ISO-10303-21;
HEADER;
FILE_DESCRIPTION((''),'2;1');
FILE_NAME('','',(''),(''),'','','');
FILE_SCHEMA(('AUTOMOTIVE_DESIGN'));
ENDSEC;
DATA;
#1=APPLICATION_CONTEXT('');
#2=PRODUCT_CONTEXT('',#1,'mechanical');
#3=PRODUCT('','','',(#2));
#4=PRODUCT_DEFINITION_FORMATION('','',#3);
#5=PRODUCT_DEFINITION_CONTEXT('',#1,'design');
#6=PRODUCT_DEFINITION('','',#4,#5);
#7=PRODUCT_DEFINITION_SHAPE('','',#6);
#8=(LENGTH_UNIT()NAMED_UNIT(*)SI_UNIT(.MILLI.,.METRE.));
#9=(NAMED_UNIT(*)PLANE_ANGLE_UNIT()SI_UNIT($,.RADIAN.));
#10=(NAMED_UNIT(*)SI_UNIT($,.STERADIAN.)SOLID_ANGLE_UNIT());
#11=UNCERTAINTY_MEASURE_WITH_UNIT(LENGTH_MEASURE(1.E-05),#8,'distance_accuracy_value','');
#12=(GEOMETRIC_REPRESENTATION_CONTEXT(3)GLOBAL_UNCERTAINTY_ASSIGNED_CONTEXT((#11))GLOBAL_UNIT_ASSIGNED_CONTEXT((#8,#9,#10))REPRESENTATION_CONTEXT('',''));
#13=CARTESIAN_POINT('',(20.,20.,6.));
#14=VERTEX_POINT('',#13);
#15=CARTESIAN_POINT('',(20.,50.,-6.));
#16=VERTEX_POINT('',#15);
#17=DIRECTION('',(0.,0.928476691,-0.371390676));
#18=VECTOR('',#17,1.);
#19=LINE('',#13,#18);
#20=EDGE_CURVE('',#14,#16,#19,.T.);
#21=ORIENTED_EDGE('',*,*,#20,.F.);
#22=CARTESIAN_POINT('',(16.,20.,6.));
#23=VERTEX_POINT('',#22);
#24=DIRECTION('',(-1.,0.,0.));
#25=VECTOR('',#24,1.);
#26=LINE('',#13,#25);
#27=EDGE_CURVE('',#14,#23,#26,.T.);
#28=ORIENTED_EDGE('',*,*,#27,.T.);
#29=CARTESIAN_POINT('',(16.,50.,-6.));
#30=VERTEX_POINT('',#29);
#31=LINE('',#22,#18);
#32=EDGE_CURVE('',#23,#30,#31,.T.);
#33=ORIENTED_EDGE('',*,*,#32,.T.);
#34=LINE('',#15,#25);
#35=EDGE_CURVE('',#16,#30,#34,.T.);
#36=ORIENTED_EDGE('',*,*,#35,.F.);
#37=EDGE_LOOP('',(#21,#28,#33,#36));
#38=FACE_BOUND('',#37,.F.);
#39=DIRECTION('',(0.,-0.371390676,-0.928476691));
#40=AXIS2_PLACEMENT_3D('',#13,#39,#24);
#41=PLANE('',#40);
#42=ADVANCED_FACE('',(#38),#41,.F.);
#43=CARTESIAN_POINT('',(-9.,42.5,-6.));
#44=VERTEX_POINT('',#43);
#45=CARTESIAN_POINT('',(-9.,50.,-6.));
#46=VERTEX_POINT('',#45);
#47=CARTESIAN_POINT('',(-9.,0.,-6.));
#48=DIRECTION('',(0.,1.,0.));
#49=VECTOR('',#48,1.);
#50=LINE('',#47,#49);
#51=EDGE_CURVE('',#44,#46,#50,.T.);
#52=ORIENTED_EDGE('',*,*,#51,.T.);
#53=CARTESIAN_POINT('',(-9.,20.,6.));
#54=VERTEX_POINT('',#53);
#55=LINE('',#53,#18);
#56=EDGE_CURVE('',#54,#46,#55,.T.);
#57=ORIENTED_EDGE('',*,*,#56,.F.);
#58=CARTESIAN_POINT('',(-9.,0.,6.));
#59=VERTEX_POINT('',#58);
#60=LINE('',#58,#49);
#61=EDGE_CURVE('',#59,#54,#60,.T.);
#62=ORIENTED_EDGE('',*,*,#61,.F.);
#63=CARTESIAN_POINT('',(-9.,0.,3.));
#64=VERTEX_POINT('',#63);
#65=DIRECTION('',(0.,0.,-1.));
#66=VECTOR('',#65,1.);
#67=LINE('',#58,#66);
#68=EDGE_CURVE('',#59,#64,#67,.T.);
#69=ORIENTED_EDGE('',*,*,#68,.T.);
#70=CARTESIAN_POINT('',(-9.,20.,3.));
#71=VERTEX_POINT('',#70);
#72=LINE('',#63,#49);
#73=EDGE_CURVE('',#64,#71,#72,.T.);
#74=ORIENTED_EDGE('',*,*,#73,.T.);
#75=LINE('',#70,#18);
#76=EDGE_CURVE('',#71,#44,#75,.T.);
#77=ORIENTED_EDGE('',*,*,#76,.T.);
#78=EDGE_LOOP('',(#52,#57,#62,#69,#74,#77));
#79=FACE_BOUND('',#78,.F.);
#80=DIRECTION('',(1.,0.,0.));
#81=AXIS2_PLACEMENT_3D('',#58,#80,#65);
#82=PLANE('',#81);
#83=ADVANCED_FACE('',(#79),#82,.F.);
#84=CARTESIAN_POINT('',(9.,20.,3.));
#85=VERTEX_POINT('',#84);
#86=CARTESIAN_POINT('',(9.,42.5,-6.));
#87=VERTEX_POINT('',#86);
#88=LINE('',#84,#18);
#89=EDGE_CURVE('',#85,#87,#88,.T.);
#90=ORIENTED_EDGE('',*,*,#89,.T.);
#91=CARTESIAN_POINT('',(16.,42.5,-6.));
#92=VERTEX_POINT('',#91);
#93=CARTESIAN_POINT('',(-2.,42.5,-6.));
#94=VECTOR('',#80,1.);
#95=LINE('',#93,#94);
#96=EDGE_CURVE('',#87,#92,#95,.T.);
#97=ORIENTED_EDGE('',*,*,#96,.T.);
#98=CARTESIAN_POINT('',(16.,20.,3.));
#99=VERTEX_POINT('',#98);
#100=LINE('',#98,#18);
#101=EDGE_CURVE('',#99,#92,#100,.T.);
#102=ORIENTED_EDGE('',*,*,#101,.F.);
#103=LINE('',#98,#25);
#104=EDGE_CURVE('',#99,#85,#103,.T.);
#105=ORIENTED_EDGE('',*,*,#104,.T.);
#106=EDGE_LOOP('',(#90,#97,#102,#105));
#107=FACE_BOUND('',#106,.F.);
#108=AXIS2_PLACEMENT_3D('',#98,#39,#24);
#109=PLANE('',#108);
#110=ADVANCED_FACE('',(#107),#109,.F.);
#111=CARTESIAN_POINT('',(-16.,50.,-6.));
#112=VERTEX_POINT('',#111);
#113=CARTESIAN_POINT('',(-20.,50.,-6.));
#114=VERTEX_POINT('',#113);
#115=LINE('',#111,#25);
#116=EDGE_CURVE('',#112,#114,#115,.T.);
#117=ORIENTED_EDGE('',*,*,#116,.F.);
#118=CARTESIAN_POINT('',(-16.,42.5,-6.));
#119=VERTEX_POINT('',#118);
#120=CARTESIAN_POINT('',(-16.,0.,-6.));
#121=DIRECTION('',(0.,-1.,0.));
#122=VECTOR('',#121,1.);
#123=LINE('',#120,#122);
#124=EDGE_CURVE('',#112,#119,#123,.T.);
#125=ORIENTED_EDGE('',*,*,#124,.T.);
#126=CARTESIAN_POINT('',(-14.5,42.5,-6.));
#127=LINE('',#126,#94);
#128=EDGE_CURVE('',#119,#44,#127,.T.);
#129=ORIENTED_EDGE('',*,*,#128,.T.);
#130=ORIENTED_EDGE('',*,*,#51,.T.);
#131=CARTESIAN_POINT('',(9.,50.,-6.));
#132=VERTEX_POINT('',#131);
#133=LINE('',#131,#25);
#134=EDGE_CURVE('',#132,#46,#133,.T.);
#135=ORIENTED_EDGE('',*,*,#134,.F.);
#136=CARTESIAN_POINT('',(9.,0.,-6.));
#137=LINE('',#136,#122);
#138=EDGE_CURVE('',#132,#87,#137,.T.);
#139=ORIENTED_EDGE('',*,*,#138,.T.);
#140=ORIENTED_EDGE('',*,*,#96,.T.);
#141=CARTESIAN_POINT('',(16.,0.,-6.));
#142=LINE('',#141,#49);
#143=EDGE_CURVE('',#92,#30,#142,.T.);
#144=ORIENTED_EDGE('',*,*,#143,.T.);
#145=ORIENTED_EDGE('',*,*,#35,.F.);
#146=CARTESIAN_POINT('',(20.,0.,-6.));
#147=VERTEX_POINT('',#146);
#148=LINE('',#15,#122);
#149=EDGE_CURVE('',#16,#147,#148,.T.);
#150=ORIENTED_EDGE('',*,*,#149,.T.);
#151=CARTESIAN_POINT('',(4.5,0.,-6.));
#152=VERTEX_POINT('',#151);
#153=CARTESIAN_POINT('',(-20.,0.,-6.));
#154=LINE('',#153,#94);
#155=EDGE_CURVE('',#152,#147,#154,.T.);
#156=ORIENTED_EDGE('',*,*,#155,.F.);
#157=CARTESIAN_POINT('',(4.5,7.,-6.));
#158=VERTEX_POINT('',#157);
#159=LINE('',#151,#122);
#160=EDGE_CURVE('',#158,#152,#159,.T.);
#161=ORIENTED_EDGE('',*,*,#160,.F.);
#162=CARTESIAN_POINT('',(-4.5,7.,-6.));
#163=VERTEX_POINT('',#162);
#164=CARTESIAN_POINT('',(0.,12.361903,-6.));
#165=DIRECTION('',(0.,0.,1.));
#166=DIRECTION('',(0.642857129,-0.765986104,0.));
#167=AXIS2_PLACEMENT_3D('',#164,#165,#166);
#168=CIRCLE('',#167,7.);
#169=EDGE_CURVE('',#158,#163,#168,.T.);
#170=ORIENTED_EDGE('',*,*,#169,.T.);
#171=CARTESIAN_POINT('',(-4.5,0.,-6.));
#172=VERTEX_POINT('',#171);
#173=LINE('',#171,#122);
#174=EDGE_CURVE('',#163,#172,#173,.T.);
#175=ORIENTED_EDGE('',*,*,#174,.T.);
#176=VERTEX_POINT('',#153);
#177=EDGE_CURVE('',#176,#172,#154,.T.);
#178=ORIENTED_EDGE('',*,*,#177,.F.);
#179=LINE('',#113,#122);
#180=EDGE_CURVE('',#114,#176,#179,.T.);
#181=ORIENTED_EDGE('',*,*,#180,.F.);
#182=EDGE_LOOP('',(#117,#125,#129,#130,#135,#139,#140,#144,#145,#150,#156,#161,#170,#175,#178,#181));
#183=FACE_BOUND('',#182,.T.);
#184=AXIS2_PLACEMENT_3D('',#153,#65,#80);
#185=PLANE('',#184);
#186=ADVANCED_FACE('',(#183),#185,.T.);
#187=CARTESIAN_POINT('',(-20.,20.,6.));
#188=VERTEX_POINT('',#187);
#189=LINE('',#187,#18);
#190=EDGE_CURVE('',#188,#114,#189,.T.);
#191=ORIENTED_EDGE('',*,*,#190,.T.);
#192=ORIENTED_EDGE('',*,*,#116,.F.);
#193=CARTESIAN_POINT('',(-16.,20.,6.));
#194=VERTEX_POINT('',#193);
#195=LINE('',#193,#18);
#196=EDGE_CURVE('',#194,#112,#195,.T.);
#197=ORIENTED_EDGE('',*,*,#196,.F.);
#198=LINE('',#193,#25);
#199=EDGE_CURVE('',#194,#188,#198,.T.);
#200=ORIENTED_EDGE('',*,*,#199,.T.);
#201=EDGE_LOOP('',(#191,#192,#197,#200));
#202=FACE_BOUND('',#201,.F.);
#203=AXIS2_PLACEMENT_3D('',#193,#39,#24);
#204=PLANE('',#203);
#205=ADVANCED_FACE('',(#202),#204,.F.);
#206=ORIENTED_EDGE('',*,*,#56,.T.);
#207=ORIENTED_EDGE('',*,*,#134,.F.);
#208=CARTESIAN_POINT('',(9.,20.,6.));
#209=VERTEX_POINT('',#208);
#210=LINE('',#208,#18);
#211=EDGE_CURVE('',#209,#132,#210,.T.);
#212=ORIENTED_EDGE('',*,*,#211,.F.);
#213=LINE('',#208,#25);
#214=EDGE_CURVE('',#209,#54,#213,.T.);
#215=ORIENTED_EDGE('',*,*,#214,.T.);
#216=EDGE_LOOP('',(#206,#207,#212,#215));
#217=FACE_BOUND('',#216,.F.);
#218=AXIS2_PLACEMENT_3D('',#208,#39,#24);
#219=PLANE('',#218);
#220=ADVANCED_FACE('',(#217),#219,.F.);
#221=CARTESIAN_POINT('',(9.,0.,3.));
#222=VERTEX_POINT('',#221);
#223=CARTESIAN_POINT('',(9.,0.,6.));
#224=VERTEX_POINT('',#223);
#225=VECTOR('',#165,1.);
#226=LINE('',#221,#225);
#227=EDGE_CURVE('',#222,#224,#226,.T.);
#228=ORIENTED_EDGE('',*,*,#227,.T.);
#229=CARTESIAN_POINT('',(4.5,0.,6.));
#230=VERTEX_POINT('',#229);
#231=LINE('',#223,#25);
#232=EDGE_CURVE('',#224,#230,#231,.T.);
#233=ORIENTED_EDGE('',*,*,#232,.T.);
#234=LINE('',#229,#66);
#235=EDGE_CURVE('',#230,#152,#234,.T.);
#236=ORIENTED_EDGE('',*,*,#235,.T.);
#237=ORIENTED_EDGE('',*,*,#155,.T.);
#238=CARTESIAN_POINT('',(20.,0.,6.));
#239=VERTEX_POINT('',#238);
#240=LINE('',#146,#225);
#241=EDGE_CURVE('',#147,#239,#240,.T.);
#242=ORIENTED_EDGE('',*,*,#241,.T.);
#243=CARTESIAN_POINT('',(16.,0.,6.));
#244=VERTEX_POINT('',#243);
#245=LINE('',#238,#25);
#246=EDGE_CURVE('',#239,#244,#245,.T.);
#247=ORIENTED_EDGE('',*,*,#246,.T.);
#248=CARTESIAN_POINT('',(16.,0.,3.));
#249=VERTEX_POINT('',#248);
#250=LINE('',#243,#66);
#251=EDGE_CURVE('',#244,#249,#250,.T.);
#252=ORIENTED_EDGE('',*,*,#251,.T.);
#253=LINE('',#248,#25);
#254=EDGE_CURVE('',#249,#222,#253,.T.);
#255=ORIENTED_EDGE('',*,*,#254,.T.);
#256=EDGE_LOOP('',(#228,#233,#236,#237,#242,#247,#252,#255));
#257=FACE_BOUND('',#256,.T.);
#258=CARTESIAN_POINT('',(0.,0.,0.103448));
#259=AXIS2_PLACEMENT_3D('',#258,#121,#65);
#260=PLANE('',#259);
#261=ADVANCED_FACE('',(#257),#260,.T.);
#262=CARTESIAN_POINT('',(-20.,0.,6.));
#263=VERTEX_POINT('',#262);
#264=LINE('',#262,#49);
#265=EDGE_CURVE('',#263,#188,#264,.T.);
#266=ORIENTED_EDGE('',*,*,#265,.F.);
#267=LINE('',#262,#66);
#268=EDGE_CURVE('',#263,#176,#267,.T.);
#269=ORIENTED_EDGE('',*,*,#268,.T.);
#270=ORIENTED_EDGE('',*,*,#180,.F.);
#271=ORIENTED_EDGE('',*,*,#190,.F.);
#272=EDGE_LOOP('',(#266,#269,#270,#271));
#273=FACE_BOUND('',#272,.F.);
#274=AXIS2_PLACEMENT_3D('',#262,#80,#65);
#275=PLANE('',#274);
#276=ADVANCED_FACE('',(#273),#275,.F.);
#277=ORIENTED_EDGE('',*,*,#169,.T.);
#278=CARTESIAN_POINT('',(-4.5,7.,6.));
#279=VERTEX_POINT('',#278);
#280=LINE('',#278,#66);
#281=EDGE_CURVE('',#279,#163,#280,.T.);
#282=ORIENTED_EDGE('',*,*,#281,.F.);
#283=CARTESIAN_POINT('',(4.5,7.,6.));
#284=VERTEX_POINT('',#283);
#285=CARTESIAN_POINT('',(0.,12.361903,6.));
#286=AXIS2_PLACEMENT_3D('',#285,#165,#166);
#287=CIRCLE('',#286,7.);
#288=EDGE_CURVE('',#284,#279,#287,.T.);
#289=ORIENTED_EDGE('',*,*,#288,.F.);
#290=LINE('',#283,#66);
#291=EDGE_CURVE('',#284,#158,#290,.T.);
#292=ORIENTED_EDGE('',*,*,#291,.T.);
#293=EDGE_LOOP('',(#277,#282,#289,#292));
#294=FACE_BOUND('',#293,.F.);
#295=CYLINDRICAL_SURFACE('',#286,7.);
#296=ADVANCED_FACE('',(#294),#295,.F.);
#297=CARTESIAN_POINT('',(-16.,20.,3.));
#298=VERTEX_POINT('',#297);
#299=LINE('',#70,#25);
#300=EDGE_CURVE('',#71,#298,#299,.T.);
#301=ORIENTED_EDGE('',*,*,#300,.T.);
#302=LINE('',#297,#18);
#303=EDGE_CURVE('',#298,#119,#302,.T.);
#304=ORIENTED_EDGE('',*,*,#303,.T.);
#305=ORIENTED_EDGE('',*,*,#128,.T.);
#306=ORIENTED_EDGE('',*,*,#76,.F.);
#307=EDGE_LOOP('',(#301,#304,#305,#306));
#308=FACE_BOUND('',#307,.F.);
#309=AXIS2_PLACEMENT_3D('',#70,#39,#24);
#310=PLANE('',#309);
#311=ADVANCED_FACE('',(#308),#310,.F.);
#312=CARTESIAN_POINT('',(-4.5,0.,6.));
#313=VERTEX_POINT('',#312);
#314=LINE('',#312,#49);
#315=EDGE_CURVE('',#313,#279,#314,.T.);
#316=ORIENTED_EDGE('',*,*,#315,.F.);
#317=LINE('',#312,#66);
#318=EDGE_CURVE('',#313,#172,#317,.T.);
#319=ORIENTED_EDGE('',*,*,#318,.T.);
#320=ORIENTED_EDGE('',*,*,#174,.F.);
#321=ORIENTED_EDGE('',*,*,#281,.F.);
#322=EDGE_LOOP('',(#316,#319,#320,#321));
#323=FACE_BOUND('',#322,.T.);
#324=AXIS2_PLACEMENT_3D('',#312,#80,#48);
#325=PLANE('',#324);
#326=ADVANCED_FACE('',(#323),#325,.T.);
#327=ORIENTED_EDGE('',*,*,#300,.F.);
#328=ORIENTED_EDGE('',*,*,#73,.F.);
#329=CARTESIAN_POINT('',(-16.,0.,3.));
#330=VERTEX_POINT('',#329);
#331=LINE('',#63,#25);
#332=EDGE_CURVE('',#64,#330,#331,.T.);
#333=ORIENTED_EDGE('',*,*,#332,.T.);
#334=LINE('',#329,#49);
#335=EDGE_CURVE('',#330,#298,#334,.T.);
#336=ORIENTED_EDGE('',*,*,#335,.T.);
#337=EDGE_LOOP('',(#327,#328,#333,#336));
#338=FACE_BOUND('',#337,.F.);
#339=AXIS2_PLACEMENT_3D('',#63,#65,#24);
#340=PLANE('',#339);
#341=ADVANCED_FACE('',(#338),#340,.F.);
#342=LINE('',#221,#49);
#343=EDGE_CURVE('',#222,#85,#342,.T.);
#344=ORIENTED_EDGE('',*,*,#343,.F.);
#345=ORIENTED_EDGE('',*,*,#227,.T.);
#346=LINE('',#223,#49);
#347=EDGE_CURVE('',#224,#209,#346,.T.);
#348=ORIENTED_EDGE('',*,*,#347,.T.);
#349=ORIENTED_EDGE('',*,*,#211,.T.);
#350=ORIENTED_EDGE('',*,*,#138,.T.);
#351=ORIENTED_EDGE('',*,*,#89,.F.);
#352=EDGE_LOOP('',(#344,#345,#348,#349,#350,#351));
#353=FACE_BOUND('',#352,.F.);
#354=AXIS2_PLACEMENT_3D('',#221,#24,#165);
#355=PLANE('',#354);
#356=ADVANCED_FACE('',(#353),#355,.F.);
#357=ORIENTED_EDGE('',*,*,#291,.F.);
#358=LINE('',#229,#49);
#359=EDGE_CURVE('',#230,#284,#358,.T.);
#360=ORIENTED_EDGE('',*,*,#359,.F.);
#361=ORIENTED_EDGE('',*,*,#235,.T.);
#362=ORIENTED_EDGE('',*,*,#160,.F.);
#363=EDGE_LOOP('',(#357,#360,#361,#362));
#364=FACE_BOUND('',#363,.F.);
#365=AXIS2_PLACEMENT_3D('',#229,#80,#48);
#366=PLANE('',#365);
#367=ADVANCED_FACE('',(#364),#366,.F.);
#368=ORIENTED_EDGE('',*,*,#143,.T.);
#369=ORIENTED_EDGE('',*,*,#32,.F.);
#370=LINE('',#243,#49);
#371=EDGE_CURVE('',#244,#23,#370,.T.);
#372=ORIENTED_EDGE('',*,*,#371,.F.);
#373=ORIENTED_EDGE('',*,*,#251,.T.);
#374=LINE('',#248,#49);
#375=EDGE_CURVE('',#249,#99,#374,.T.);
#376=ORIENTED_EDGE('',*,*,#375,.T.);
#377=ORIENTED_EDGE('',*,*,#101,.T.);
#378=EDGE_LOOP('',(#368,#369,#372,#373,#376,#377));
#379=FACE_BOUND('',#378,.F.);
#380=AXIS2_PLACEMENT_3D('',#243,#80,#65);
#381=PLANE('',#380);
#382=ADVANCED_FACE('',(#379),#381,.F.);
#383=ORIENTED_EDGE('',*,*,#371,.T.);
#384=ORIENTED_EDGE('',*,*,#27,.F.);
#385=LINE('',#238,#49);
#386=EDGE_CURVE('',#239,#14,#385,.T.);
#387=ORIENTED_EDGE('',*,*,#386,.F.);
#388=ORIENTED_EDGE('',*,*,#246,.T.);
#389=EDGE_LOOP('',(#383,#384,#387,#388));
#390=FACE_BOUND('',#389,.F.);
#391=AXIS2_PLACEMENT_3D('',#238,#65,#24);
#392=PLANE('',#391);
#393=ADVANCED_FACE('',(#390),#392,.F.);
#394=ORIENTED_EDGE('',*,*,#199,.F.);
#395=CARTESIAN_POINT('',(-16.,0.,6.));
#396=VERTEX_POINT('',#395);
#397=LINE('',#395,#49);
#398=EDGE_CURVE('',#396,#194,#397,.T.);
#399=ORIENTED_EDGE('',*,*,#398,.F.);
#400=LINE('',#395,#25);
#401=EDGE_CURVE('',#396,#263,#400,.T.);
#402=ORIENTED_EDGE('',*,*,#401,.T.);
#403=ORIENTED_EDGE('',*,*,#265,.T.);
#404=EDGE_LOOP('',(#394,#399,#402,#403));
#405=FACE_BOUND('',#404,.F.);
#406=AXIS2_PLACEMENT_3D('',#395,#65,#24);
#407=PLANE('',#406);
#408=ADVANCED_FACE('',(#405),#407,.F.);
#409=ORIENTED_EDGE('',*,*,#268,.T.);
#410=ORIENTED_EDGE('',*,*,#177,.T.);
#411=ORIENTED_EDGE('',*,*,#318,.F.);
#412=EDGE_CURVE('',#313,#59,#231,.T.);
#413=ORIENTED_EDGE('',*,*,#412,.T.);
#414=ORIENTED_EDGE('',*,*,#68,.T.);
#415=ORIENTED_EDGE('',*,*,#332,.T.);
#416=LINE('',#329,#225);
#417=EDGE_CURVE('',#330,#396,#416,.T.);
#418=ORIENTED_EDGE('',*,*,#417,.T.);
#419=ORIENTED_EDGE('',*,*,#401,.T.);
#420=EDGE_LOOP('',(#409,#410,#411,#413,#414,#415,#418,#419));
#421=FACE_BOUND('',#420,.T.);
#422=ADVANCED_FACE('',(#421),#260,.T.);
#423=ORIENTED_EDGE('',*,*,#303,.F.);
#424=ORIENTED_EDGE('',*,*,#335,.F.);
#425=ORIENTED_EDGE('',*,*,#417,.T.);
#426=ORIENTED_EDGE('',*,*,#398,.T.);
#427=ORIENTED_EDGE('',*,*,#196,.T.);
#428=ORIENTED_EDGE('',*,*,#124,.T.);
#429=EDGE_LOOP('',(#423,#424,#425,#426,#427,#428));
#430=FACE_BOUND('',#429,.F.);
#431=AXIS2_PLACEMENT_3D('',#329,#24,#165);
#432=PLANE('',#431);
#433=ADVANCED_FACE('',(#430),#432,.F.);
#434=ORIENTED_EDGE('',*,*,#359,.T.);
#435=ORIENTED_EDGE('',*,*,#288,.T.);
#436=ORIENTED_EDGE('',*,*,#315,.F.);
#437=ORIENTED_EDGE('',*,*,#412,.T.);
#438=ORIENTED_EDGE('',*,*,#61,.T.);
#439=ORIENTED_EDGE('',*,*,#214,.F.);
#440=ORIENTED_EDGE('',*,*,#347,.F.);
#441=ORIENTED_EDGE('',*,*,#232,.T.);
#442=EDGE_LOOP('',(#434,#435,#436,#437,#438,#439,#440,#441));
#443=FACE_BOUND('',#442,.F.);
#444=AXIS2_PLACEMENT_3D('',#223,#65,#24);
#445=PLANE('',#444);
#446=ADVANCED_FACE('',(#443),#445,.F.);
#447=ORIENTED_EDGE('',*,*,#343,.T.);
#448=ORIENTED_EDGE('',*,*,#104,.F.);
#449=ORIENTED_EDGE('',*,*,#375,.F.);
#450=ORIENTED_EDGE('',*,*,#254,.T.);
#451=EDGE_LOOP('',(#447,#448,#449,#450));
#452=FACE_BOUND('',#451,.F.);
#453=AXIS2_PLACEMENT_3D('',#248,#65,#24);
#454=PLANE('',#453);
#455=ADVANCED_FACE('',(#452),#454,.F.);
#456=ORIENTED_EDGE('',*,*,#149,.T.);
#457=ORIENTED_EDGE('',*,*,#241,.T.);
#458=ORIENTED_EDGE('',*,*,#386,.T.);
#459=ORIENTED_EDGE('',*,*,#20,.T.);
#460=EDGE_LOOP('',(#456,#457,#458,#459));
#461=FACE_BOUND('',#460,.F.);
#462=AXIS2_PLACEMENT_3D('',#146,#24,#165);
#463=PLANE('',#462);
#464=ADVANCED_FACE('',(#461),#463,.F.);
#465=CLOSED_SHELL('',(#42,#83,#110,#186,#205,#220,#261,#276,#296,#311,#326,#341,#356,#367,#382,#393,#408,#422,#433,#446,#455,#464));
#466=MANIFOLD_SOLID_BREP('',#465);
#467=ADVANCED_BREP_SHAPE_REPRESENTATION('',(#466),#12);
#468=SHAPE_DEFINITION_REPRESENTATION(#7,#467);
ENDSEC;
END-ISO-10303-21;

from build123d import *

# Parameters (mm, degrees)
SKETCH002_W          = 40
SKETCH002_H          = 12
POCKET_DEPTH         = 50.001
POCKET001_DEPTH      = 12.001
POCKET001_DEPTH_BACK = 0.001


with BuildPart() as part:
    # AdditivePipe: sweep along a path in Sketch
    with BuildLine(Plane.YZ) as additivepipe_path:
        Line((0, 0), (20, 0))
        Line((20, 0), (50, -12))
    # Sketch001 → AdditivePipe (sweep)
    with BuildSketch(Plane.XZ):
        Polygon((-20, 6), (-20, -6), (20, -6), (20, 6), (16, 6), (16, 3), (9, 3), (9, 6), (-9, 6), (-9, 3), (-16, 3), (-16, 6), align=None)
    sweep(path=additivepipe_path.line)

    # Sketch002 → Pocket (cut, through all)
    with BuildSketch(Plane.XZ):
        with Locations((0, -12)):
            Rectangle(SKETCH002_W, SKETCH002_H)
    extrude(amount=-POCKET_DEPTH, mode=Mode.SUBTRACT)

    # Sketch003 (on Face9 of Pocket) → Pocket001 (cut, two sides)
    with BuildSketch(Plane(origin=(0, 0, 6), x_dir=(-1, 0, 0), z_dir=(0, 0, 1))) as pocket001_sk:
        with BuildLine():
            Line((-4.5, 0), (4.5, 0))
            Line((4.5, 0), (4.5, -7))
            ThreePointArc((-4.5, -7), (0, -19.361903), (4.5, -7))
            Line((-4.5, 0), (-4.5, -7))
        make_face()
    extrude(amount=-POCKET001_DEPTH, mode=Mode.SUBTRACT)
    extrude(pocket001_sk.sketch, amount=POCKET001_DEPTH_BACK, mode=Mode.SUBTRACT)


solid = part.part
